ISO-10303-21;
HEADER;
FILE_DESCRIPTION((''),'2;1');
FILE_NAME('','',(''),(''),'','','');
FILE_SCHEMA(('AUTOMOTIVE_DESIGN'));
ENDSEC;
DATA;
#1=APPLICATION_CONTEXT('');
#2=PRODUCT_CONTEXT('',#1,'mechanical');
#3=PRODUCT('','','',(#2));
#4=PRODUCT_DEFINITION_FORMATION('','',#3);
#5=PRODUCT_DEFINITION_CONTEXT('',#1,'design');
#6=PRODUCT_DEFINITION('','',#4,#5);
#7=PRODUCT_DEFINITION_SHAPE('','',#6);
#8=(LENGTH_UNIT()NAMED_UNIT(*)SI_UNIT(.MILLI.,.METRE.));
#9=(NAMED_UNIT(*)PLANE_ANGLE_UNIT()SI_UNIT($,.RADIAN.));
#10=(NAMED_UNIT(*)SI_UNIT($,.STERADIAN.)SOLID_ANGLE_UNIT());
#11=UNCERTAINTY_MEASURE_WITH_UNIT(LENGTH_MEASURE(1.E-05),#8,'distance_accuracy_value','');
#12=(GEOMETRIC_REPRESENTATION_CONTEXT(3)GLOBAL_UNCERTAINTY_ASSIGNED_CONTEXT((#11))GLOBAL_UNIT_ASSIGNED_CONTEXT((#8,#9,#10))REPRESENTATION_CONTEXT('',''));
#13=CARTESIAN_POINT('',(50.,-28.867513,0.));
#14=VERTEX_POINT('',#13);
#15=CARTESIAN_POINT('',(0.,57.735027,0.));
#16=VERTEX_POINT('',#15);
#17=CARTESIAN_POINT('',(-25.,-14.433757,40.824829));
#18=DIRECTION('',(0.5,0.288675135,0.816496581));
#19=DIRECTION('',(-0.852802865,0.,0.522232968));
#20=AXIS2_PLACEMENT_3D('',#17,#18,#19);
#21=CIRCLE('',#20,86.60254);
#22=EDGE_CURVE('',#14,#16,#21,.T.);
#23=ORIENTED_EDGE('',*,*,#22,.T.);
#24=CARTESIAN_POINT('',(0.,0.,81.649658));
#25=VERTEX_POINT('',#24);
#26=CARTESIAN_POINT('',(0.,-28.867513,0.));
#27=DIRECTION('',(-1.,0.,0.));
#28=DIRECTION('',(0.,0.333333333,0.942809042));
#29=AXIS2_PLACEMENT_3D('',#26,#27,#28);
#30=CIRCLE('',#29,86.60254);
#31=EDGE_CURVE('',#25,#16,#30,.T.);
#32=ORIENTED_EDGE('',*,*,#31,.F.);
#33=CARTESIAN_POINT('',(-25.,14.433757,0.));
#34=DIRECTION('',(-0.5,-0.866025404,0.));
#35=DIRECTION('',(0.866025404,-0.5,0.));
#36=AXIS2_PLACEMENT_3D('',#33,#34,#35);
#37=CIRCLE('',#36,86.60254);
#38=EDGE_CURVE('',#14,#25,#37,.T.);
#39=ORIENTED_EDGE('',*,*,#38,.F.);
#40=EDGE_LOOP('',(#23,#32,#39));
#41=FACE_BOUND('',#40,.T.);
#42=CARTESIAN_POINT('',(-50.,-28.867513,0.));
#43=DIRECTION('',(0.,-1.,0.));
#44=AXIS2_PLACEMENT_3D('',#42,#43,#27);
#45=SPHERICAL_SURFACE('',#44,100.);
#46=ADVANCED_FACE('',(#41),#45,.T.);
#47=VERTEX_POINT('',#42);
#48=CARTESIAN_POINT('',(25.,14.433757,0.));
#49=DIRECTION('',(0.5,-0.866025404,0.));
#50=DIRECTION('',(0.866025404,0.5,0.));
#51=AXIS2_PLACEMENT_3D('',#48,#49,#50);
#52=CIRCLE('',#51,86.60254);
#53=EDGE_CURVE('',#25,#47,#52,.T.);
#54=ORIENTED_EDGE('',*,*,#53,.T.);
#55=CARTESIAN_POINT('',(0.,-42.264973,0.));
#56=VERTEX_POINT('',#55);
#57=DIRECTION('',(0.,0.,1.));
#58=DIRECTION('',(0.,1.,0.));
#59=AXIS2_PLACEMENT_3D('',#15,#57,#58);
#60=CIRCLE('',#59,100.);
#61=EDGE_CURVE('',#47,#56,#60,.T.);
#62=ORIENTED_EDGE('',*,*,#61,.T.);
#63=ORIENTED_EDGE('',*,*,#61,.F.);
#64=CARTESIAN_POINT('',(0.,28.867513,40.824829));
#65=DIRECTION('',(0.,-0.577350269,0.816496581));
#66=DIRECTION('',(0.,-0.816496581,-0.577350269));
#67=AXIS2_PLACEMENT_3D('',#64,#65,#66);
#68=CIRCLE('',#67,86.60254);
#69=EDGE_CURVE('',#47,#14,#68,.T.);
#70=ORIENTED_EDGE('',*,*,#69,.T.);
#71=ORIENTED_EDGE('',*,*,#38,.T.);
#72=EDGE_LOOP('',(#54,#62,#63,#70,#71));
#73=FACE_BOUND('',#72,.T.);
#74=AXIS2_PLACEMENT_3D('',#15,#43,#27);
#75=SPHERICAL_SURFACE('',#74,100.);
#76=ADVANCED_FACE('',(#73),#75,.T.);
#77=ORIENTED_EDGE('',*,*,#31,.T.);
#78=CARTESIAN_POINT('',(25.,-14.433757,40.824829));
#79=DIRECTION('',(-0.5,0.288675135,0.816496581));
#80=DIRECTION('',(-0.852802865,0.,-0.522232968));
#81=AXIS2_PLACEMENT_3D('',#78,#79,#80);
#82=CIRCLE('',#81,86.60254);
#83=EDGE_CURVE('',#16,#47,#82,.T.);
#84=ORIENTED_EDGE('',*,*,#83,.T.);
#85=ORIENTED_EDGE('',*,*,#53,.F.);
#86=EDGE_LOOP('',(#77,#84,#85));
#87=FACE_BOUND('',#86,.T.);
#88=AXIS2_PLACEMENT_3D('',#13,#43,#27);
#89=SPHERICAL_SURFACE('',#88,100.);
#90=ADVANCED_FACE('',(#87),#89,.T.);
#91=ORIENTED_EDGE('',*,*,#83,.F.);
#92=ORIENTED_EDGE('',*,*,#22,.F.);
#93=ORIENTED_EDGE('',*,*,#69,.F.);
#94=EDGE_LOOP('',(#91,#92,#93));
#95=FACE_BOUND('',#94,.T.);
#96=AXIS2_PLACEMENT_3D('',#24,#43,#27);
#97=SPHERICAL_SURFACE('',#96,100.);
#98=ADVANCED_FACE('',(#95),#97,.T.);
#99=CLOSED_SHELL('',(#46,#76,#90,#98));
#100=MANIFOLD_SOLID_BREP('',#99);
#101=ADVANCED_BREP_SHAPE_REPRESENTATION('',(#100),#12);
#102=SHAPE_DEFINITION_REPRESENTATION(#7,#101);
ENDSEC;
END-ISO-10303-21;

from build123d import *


with BuildPart() as f2:
    # F0 (on Top) → F2 (revolve)
    with BuildSketch(Plane.XY):
        with BuildLine():
            Line((0, -42.264973081), (0, 157.735026919))
            ThreePointArc((0, 157.735026919), (-100, 57.735026919), (0, -42.264973081))
        make_face()
    revolve(axis=Axis((0, 57.735026919, 0), (0, -1, 0)))


with BuildPart() as f3_1:
    # F3: copy of F2
    add(f2.part.moved(Location((-50, -86.6025403784, 0))))


with BuildPart() as f4_1:
    # F4: copy of F2
    add(f2.part.moved(Location((50, -86.6025403784, 0))))


with BuildPart() as f5_1:
    # F5: copy of F2
    add(f2.part.moved(Location((0, -57.735026919, 81.6496580928))))


with BuildPart() as f2_1:
    add(f2.part)

    # F6: intersect F3_1, F4_1, F5_1
    add(f3_1.part, mode=Mode.INTERSECT)
    add(f4_1.part, mode=Mode.INTERSECT)
    add(f5_1.part, mode=Mode.INTERSECT)


solid = f2_1.part
